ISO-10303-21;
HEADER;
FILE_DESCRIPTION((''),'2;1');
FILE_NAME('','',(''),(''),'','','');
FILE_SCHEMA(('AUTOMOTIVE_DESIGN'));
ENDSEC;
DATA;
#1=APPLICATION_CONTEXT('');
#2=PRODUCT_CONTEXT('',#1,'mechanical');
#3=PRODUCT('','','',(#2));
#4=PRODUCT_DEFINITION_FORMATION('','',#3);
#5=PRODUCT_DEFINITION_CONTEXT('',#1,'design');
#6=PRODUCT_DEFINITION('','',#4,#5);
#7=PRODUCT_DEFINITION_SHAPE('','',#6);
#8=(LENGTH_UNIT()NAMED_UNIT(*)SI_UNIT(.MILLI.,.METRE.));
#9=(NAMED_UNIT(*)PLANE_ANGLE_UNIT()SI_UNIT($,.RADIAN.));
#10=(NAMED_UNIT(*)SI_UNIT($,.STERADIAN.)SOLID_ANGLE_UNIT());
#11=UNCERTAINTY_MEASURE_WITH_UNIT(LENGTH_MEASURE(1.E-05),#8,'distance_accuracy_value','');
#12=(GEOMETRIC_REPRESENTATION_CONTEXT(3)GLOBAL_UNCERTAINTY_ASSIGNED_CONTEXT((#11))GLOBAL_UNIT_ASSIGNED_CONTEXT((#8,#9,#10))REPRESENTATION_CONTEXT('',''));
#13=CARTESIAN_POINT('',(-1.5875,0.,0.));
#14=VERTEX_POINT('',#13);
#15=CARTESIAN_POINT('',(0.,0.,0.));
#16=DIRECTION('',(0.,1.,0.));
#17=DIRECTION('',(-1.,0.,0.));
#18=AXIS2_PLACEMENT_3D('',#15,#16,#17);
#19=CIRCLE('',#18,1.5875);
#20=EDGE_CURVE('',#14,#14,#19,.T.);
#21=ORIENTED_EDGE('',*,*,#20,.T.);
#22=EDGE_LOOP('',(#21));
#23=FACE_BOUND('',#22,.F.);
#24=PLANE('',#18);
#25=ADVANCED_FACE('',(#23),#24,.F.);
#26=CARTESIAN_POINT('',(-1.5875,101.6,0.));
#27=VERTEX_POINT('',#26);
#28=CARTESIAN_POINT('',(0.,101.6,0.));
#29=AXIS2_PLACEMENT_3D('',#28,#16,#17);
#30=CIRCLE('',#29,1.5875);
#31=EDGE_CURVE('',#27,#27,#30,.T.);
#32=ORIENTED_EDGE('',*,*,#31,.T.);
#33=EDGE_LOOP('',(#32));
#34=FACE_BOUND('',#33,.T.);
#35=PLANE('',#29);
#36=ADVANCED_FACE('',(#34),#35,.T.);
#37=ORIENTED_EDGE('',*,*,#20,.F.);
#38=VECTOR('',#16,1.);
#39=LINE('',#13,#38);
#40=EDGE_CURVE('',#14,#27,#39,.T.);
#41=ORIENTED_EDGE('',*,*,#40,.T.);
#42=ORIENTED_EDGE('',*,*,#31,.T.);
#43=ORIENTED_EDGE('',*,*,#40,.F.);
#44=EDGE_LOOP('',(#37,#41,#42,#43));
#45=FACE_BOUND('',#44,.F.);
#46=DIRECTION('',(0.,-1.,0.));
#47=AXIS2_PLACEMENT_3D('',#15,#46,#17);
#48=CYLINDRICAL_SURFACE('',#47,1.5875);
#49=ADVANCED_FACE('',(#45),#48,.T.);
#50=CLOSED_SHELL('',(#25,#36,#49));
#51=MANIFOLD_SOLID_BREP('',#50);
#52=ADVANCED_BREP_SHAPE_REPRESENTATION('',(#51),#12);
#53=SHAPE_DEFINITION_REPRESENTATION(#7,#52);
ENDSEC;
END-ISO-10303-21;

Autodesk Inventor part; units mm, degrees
ref_plane "YZ Plane" through (0, 0, 0) normal (1, 0, 0) x (0, 1, 0)
ref_plane "XZ Plane" through (0, 0, 0) normal (0, 1, 0) x (-1, 0, 0)
ref_plane "XY Plane" through (0, 0, 0) normal (0, 0, 1) x (1, 0, 0)
sketch "Sketch1" plane through (0, 0, 0) normal (0, 1, 0) x (-1, 0, 0)
  circle A0 centre (0, 0) radius 1.5875
  dimension "d0" = 3.175
extrude "Extrusion1" add sketch "Sketch1" along normal blind 101.6
properties part number "SidePeg"
